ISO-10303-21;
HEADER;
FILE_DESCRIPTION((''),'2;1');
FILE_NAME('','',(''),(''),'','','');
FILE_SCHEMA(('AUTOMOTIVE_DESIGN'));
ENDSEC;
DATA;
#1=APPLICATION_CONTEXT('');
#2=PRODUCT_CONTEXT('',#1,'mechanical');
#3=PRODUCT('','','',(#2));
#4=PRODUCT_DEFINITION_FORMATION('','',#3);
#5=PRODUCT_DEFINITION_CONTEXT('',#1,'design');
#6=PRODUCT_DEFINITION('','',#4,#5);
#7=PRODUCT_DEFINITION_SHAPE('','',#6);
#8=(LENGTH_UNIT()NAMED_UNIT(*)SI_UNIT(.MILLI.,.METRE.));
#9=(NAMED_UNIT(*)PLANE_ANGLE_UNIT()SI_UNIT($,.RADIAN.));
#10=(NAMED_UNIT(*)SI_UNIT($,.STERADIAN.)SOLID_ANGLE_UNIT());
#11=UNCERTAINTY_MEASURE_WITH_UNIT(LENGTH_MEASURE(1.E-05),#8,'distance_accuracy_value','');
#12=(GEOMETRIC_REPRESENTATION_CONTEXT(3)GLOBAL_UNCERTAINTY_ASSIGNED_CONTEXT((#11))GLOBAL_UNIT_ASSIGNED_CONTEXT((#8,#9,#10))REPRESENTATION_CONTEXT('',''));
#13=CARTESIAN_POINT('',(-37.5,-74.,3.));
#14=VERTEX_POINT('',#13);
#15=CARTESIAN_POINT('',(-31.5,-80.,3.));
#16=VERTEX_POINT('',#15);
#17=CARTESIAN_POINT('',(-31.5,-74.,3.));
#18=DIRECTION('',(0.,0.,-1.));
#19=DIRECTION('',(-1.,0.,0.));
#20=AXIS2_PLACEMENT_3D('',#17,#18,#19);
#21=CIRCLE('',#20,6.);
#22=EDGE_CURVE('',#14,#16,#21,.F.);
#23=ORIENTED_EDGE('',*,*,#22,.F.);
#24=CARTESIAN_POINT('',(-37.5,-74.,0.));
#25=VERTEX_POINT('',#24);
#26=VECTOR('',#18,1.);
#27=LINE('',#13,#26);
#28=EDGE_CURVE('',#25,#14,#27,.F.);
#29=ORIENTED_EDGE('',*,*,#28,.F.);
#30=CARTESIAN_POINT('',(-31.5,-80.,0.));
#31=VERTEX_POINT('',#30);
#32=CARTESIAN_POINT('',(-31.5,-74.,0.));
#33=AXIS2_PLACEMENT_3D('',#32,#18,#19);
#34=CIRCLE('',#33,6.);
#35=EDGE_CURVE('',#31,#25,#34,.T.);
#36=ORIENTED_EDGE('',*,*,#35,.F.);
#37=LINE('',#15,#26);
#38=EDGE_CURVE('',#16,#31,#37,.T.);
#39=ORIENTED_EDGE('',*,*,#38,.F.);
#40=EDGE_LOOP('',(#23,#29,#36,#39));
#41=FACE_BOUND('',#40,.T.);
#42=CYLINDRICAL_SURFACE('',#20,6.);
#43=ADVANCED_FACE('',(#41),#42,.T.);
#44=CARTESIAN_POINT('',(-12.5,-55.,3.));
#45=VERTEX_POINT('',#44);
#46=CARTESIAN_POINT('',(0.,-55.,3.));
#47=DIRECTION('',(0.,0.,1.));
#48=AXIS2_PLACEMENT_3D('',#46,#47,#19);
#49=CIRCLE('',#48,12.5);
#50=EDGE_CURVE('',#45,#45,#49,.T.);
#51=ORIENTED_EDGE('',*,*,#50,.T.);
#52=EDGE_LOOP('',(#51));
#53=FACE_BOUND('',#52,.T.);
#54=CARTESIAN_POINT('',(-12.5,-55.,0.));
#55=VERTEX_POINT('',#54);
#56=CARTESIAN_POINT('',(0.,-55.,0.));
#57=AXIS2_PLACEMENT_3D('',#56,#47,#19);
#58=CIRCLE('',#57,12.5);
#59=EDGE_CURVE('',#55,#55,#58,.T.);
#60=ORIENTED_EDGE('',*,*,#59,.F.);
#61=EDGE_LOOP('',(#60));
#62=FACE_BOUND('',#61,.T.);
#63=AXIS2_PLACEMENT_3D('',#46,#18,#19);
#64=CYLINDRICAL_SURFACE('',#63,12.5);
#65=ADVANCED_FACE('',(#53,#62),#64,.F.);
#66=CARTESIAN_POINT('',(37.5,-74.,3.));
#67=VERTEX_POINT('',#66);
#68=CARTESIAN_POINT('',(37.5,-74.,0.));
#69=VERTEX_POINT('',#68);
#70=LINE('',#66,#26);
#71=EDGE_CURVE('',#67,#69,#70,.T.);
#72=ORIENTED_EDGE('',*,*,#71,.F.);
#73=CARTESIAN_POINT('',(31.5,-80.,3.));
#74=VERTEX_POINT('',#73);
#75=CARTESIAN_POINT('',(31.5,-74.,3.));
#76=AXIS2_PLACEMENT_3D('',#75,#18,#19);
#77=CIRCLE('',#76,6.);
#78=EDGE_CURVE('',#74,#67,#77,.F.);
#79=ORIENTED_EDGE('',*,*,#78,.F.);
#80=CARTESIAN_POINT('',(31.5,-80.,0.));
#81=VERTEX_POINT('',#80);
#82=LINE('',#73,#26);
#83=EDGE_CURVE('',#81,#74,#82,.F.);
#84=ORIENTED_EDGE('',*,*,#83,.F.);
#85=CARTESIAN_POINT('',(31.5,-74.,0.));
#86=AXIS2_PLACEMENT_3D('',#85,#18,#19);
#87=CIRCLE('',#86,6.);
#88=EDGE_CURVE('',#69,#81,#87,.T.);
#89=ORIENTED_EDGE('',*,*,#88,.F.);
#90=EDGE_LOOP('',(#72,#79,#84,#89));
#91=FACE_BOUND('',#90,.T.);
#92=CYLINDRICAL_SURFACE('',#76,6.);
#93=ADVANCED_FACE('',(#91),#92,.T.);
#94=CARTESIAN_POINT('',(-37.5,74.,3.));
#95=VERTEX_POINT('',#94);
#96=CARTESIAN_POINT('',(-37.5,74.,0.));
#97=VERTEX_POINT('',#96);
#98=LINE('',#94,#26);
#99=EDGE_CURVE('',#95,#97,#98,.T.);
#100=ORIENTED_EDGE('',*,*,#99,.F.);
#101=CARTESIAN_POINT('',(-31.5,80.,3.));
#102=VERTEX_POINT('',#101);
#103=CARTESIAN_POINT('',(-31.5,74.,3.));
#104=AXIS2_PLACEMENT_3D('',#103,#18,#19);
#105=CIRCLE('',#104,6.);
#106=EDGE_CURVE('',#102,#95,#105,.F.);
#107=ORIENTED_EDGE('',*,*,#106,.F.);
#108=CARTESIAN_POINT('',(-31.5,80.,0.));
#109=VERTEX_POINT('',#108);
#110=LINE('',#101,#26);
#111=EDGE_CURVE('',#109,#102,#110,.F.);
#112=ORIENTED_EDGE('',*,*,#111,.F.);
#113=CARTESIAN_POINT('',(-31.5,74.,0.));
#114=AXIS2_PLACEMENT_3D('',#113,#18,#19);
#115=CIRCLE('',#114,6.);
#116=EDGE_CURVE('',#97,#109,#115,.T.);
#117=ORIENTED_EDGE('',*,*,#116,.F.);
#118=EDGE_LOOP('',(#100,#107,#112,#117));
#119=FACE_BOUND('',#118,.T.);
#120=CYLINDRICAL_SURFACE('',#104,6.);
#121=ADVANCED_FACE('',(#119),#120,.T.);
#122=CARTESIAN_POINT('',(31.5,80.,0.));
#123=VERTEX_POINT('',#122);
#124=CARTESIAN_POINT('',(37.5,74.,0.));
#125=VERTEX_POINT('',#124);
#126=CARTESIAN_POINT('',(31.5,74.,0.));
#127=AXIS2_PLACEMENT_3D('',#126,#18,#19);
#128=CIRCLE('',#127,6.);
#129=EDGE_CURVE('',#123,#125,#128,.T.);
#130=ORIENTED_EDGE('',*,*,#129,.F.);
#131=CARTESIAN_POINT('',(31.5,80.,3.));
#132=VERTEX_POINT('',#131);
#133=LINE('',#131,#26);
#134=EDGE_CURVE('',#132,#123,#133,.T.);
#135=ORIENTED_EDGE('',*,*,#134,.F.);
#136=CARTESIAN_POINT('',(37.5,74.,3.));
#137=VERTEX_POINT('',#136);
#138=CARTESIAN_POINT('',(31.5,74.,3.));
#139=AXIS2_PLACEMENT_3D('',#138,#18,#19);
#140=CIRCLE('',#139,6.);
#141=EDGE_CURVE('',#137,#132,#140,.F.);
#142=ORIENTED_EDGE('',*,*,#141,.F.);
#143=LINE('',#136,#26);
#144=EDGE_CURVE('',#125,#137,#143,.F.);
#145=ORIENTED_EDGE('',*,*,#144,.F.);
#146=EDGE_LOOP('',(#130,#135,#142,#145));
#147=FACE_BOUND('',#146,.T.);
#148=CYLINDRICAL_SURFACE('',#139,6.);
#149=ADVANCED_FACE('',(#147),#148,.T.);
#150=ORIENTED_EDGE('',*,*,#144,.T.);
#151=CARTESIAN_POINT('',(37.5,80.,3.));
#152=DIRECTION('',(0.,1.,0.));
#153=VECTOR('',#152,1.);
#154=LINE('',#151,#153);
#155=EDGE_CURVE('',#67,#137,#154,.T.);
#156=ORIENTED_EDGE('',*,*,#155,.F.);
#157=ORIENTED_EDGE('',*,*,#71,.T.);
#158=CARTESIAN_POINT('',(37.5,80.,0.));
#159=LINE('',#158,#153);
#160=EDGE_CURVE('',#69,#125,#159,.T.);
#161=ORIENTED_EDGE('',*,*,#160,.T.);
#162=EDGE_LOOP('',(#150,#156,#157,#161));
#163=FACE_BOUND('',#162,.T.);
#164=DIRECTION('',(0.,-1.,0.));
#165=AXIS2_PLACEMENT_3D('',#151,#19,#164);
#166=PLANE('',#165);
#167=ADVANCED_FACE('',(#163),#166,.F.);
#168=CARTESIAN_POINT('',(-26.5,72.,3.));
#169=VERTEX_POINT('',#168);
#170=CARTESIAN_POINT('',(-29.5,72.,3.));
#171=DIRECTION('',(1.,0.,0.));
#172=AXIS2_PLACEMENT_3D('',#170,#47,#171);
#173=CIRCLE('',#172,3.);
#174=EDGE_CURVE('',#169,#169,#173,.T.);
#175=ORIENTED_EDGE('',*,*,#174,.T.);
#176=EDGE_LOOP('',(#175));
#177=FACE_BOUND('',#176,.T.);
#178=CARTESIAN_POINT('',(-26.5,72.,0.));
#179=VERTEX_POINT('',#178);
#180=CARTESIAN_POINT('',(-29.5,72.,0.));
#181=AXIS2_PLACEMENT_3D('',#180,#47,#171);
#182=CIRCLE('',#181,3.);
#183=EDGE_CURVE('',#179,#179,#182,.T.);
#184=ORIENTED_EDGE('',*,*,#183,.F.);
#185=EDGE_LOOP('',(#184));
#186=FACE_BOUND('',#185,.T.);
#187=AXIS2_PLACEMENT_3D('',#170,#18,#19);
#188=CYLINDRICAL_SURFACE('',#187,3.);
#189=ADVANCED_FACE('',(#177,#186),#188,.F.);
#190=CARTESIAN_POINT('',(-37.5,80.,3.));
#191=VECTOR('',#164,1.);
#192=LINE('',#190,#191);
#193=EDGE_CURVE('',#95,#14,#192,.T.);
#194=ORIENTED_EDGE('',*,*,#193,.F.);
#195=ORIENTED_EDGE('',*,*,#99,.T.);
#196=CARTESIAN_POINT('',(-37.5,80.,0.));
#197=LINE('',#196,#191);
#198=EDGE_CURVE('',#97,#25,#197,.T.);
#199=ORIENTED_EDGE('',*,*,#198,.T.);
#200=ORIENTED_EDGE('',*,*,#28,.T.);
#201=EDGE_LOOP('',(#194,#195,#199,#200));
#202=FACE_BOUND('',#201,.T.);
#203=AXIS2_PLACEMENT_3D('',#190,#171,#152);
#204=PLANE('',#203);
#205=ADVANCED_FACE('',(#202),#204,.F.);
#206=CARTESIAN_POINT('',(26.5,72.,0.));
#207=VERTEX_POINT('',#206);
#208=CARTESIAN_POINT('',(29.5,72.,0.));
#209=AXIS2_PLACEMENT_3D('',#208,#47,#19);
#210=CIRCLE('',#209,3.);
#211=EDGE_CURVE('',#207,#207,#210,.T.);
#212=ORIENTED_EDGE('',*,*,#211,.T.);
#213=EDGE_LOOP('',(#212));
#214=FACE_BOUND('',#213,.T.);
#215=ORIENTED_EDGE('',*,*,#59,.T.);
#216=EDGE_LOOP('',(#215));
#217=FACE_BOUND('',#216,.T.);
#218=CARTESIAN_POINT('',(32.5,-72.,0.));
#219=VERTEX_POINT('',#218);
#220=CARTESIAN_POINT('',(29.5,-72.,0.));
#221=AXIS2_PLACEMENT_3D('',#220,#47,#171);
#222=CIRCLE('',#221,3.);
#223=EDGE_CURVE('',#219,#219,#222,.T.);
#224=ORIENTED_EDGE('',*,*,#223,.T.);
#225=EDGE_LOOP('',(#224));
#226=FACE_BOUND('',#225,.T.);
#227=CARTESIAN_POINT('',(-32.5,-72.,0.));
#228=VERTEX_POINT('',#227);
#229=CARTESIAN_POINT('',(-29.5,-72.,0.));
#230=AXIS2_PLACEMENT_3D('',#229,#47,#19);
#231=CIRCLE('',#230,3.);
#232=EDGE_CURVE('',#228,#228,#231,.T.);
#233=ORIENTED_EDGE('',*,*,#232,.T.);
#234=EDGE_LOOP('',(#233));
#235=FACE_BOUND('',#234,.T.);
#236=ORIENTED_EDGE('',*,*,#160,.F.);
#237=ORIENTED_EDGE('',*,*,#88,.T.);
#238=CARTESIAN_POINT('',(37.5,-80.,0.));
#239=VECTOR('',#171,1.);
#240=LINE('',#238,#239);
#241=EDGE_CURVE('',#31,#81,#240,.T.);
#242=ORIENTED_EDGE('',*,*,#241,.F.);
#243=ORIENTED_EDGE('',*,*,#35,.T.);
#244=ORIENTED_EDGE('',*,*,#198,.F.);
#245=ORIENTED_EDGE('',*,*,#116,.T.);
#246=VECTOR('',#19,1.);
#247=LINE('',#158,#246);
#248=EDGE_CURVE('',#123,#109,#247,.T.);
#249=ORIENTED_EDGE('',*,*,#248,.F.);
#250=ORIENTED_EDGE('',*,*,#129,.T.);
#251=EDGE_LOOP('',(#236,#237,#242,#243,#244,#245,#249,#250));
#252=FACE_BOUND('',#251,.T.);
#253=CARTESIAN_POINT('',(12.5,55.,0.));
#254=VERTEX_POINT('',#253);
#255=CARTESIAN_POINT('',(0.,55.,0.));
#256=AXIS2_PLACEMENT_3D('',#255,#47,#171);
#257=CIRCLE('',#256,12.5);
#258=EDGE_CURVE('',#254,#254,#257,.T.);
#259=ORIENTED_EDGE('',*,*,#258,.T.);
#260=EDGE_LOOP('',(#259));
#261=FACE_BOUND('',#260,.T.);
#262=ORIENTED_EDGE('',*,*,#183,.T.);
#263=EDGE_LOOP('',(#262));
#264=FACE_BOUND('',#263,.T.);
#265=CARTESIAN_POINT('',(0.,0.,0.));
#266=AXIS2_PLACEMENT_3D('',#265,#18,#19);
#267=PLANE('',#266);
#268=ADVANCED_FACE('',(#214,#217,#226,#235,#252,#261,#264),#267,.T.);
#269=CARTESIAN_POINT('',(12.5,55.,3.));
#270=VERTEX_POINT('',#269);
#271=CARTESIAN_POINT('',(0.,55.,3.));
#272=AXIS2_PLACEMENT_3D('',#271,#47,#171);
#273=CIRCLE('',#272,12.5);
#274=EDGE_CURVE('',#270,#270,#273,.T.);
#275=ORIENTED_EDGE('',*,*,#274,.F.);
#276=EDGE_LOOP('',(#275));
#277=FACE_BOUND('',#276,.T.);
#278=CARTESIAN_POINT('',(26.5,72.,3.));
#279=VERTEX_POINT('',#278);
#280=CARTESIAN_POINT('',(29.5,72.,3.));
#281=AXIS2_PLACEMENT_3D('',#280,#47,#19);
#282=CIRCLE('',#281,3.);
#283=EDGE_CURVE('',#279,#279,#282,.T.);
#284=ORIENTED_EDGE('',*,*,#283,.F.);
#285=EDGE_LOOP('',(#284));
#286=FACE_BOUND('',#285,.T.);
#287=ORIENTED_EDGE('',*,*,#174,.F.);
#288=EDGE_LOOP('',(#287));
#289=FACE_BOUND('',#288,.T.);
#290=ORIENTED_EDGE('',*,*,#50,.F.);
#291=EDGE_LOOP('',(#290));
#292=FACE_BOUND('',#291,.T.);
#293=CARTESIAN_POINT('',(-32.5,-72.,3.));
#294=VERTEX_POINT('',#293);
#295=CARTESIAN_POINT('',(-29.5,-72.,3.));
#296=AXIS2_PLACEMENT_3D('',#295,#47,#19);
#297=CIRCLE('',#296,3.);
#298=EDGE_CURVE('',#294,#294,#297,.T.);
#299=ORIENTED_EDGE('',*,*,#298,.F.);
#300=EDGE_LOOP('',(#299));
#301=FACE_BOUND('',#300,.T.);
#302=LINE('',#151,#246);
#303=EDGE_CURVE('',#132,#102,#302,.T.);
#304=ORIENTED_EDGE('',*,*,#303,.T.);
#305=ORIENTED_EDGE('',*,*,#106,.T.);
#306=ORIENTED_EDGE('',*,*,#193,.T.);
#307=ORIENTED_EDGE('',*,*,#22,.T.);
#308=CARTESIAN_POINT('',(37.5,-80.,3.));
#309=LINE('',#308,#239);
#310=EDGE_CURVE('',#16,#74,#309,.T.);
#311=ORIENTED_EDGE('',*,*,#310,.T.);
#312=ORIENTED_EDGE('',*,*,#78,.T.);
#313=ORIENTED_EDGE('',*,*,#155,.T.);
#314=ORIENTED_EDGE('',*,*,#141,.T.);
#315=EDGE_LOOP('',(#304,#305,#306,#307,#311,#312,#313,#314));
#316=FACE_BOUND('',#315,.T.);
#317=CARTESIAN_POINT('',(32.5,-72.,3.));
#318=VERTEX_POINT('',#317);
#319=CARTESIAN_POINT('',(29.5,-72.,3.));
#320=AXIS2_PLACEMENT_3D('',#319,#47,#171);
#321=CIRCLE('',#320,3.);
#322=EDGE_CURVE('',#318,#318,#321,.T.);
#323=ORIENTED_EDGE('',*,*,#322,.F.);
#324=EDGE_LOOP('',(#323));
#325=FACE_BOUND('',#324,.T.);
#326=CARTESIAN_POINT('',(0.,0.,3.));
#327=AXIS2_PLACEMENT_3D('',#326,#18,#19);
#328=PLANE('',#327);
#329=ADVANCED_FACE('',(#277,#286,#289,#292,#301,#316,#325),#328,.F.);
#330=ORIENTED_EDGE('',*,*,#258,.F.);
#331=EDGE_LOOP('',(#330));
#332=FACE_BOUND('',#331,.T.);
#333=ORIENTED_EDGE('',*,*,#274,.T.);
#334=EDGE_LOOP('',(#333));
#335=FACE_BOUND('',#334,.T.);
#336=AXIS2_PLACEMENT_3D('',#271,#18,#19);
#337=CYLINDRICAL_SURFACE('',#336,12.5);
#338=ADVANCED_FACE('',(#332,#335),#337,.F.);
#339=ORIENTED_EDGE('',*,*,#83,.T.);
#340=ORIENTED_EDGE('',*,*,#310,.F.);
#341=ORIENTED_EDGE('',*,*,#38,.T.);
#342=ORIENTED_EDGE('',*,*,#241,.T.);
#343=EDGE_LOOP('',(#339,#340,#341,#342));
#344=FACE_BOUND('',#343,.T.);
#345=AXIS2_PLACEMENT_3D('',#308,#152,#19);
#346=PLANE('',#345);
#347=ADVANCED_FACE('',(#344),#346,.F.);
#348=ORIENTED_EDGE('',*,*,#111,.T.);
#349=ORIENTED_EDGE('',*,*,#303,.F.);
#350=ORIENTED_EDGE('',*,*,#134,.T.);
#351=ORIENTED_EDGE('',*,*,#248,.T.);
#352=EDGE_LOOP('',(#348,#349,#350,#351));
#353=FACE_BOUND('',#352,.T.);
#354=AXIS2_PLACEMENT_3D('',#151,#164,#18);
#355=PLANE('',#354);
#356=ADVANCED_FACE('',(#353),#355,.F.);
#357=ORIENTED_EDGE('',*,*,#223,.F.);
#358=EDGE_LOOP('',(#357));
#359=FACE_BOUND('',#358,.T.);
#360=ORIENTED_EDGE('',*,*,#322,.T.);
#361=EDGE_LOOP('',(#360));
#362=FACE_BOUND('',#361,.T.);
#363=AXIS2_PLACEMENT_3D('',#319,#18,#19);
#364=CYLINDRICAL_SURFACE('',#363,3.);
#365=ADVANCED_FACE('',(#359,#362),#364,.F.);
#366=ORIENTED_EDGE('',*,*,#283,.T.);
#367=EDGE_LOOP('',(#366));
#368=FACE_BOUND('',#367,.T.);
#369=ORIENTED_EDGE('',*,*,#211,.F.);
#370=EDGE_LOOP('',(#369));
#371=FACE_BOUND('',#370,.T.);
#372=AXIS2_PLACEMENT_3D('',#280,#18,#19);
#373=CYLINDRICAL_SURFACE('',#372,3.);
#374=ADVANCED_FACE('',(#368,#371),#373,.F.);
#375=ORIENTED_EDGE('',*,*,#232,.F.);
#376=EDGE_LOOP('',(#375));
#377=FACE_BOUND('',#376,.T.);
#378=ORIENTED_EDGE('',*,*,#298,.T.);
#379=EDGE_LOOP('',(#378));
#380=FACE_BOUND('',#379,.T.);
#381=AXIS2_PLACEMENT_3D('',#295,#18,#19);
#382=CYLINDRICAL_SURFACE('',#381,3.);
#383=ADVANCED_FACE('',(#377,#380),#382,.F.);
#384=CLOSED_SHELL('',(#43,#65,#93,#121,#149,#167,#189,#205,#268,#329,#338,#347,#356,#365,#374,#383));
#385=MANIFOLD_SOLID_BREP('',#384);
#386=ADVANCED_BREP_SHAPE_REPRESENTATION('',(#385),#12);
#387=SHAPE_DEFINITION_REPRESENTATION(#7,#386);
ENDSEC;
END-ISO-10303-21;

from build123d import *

# Parameters (mm, degrees)
CROQUIS1_W              = 75
CROQUIS1_H              = 160
CROQUIS1_R              = 12.5
CROQUIS1_R_2            = 3
SALIENTE_EXTRUIR1_DEPTH = 3
REDONDEO1_R             = 6


with BuildPart() as part:
    # Croquis1 → Saliente-Extruir1 (new body)
    with BuildSketch(Plane.XY):
        Rectangle(CROQUIS1_W, CROQUIS1_H)
        with Locations((0, 55)):
            Circle(CROQUIS1_R, mode=Mode.SUBTRACT)
        with Locations((0, -55)):
            Circle(CROQUIS1_R, mode=Mode.SUBTRACT)
        with Locations((-29.5, 72)):
            Circle(CROQUIS1_R_2, mode=Mode.SUBTRACT)
        with Locations((29.5, 72)):
            Circle(CROQUIS1_R_2, mode=Mode.SUBTRACT)
        with Locations((-29.5, -72)):
            Circle(CROQUIS1_R_2, mode=Mode.SUBTRACT)
        with Locations((29.5, -72)):
            Circle(CROQUIS1_R_2, mode=Mode.SUBTRACT)
    extrude(amount=SALIENTE_EXTRUIR1_DEPTH)

    # Redondeo1
    redondeo1_edges = [part.edges().sort_by_distance(p)[0] for p in [
        (-37.5, 80, 1.5),
        (37.5, 80, 1.5),
        (37.5, -80, 1.5),
        (-37.5, -80, 1.5),
    ]]
    fillet(redondeo1_edges, radius=REDONDEO1_R)


solid = part.part
